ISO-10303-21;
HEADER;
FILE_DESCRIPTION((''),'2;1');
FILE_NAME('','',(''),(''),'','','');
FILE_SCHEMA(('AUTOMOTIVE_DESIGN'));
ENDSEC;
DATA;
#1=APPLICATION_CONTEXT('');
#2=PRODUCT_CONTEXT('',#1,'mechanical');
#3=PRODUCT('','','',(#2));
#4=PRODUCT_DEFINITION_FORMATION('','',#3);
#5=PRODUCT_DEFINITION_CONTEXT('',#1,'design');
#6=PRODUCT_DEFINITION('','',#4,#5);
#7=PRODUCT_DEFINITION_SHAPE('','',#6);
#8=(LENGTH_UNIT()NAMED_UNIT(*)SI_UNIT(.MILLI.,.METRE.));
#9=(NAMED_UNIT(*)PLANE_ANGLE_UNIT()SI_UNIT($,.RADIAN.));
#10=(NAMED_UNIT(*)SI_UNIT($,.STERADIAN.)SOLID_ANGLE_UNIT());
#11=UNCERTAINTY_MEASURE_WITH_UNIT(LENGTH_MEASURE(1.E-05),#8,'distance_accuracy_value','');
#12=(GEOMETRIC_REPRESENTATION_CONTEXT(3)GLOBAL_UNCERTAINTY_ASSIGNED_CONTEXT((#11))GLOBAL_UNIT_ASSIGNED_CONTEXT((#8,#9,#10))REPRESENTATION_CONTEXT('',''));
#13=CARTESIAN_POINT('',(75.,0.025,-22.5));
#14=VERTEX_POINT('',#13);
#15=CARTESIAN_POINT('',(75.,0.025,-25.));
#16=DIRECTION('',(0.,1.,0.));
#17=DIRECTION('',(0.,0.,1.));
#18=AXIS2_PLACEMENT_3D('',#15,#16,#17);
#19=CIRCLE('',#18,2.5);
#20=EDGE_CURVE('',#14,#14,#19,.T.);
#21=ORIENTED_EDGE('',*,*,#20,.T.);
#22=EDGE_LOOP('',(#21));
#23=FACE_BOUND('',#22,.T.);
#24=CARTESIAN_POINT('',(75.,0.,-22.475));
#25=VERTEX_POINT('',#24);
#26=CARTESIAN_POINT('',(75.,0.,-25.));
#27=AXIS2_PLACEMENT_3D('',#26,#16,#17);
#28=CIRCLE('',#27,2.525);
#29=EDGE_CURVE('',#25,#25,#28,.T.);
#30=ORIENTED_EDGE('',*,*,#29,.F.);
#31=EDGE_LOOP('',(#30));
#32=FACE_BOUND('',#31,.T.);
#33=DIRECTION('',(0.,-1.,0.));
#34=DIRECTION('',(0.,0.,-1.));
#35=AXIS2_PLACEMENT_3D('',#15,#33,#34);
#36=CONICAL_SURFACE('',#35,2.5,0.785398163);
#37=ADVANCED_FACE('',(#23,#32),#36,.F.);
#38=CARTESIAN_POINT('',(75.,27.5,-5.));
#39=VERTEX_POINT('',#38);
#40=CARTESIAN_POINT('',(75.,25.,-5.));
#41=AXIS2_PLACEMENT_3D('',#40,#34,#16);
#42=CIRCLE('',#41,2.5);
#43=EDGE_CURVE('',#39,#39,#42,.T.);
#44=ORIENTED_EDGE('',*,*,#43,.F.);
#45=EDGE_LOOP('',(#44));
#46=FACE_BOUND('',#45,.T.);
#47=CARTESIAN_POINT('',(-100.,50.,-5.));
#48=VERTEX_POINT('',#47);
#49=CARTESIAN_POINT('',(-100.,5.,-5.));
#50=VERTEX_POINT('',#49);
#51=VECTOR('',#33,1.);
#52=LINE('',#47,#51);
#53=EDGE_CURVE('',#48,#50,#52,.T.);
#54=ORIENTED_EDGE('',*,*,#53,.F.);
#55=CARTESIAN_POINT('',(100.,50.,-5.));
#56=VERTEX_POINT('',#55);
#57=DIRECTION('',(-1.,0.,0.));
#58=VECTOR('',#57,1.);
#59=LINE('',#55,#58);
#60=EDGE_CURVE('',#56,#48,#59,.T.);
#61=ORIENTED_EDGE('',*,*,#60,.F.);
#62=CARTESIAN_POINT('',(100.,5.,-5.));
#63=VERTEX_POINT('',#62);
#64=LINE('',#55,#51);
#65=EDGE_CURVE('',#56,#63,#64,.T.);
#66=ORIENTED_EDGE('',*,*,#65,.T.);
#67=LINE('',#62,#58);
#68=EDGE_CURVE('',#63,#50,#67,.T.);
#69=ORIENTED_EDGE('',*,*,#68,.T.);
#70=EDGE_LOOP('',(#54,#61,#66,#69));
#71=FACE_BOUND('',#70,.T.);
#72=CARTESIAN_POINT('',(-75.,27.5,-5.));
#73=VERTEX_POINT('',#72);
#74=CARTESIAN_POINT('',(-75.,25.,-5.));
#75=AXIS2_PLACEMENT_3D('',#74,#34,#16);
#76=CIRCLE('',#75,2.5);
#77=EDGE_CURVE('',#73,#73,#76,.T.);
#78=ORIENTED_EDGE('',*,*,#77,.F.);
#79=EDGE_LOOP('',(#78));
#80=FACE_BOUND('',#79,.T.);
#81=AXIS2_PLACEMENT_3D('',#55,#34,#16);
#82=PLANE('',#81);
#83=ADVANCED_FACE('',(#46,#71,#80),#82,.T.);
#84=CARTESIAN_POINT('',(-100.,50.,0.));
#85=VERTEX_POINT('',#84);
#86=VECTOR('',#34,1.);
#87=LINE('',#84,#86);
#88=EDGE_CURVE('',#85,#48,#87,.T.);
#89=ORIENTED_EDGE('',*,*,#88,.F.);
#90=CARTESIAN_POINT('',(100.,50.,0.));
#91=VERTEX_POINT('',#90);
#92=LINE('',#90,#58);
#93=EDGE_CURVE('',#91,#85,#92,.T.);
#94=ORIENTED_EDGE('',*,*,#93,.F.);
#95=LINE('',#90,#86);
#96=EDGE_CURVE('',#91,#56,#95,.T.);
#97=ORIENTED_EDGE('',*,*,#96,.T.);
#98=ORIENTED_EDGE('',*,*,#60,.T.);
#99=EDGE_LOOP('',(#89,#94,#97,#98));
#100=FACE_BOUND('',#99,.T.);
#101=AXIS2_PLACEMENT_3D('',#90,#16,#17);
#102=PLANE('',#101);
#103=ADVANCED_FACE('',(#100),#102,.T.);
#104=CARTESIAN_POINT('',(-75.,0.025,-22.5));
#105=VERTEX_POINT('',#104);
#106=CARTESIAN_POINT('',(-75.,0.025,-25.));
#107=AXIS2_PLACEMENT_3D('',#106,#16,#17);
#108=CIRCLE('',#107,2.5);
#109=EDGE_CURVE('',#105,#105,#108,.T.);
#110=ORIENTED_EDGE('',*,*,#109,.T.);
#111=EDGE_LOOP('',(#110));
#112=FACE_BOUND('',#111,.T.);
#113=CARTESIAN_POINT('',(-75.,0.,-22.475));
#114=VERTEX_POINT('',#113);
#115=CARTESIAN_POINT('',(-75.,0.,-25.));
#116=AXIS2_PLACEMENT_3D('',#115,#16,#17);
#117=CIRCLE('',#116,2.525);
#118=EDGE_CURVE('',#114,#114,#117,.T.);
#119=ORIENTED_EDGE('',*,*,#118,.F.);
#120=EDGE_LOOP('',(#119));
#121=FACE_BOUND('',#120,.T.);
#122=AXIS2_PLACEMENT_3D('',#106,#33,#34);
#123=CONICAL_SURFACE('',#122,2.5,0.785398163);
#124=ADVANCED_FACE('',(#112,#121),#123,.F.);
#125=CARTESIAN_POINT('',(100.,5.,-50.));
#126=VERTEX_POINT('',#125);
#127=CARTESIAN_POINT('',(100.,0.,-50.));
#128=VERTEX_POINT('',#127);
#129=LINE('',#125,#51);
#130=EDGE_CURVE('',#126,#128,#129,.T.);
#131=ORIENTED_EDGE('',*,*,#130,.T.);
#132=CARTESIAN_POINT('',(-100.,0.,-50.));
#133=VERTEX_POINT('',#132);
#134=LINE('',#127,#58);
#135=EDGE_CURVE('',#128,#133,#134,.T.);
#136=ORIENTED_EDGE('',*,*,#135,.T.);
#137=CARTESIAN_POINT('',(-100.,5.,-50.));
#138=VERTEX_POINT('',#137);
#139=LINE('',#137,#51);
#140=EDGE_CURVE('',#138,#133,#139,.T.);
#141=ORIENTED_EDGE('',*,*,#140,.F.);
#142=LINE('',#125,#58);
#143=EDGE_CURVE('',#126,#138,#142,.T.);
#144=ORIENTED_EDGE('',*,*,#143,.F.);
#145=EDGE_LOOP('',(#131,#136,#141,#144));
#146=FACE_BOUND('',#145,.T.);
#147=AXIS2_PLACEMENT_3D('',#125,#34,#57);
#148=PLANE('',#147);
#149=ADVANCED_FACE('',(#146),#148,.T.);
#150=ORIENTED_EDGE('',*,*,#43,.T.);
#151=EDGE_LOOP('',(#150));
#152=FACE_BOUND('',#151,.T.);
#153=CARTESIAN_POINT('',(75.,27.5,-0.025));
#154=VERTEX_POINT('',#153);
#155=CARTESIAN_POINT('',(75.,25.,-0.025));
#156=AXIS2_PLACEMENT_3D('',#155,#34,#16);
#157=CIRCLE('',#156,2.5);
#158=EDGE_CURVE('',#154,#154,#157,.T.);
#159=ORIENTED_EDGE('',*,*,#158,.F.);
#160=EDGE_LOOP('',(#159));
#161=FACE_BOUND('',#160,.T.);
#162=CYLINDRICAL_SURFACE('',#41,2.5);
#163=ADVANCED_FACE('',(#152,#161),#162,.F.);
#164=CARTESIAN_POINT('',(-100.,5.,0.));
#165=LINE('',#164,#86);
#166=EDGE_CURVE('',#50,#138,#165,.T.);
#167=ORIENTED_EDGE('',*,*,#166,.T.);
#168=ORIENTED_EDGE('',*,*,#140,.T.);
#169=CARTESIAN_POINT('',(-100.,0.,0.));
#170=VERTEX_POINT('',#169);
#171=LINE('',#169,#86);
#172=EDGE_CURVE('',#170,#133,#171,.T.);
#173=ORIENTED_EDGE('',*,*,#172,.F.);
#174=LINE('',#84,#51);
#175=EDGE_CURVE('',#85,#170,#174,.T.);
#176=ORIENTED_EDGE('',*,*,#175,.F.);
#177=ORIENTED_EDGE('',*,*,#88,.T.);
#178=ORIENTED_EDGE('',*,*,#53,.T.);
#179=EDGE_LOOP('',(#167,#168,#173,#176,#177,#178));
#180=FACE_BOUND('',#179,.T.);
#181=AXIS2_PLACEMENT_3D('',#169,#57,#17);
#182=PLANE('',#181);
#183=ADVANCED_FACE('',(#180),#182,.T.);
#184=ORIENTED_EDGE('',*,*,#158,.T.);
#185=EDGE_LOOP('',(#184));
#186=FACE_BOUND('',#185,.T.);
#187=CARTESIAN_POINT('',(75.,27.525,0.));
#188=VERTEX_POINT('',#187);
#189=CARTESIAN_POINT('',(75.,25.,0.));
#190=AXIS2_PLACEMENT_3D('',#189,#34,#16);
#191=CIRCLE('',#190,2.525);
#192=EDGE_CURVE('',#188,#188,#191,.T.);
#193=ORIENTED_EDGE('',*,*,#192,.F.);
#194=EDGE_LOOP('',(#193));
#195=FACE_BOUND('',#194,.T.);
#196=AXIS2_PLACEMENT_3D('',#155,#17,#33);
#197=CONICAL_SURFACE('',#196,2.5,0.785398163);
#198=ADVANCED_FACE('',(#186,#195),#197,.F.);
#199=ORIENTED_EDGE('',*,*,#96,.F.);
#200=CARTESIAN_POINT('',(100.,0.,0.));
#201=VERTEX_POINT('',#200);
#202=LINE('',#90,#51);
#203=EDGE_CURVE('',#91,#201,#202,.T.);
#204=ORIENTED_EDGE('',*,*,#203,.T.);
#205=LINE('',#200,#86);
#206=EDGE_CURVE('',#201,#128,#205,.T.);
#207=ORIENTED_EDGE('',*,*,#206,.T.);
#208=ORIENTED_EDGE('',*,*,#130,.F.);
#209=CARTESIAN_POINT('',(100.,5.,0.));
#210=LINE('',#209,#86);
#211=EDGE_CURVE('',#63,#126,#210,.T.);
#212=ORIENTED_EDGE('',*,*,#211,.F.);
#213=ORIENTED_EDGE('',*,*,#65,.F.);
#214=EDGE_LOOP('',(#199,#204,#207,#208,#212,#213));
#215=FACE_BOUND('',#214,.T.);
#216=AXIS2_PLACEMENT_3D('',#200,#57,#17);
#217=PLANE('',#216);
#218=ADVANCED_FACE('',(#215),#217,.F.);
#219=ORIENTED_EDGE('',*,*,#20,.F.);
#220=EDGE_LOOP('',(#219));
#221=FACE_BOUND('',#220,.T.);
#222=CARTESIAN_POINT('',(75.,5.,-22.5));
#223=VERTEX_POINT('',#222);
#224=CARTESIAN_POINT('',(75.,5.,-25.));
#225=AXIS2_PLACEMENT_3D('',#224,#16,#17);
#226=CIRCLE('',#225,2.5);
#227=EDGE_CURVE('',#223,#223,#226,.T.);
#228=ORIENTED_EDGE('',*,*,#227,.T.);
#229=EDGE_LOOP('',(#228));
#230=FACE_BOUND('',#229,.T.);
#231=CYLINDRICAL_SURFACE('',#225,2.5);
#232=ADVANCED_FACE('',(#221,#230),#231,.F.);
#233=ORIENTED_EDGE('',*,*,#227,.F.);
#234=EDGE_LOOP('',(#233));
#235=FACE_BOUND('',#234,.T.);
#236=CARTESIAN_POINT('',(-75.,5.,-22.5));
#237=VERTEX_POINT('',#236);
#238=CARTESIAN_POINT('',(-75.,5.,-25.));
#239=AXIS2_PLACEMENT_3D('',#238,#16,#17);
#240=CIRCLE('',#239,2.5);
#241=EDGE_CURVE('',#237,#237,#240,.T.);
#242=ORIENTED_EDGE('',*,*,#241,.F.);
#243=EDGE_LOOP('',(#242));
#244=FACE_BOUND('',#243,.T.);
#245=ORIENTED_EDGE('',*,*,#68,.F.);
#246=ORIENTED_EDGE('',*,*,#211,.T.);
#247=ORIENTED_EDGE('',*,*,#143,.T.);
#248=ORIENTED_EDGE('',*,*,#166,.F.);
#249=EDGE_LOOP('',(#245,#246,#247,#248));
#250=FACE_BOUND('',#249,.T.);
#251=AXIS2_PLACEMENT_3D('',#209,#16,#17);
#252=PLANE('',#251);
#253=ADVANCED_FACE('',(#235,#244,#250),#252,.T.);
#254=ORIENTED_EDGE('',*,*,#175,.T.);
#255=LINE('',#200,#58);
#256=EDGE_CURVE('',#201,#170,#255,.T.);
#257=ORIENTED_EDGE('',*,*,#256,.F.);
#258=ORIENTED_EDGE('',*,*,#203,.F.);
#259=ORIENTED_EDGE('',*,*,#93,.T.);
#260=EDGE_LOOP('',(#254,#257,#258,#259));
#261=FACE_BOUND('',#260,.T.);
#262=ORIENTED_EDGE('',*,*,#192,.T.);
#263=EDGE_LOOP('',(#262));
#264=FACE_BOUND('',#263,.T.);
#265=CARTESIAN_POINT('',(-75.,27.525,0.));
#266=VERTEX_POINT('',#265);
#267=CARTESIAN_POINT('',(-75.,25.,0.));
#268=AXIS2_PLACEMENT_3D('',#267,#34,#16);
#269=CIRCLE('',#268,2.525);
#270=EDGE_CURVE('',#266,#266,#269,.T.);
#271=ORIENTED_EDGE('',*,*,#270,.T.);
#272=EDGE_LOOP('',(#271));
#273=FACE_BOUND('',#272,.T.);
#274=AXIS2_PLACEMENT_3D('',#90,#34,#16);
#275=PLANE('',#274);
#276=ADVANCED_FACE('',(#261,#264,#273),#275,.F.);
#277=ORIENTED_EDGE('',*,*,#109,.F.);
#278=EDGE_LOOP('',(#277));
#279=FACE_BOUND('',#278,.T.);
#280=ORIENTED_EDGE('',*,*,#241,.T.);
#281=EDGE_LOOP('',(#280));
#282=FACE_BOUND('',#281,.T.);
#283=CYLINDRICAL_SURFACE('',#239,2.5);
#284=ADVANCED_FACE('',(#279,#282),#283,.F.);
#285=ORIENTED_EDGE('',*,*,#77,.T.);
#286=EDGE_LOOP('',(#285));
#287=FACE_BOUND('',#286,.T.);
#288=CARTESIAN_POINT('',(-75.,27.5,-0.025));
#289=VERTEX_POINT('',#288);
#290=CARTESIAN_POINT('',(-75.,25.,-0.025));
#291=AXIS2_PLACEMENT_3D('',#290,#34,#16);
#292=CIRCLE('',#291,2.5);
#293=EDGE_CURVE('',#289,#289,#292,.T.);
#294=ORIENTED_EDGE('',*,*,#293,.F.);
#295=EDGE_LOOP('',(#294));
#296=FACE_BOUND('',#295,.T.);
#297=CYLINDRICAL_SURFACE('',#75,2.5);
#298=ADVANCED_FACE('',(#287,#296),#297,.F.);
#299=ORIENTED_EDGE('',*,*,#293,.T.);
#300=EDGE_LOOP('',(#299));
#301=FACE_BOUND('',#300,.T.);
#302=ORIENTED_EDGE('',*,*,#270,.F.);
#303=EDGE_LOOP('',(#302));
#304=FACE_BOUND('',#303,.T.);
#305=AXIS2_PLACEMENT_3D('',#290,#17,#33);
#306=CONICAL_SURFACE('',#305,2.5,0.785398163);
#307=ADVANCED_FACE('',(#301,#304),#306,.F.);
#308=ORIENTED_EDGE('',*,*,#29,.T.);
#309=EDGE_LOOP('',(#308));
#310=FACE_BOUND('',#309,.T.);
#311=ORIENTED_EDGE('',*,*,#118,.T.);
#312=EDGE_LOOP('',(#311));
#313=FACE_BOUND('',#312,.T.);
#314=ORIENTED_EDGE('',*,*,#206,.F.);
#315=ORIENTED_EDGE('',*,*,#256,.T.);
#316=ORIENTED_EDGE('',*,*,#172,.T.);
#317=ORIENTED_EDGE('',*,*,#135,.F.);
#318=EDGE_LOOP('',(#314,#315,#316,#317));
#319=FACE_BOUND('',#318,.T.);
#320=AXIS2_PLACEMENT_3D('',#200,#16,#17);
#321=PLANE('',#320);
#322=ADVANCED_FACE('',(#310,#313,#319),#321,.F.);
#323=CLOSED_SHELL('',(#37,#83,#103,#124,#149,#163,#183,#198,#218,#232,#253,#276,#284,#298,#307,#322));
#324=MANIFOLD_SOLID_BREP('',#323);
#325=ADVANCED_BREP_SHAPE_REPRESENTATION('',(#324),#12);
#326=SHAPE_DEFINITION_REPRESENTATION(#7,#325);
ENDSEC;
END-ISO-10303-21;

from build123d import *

# Parameters (mm, degrees)
EXTRUDE_THIN1_DEPTH            = 100
F_5_0MM_DOWEL_HOLE1_AT_2_COUNT = 2
F_5_0MM_DOWEL_HOLE1_AT_2_PITCH = 150
F_5_0MM_DOWEL_HOLE2_AT_2_COUNT = 2
F_5_0MM_DOWEL_HOLE2_AT_2_PITCH = 150


with BuildPart() as part:
    # Sketch2 → Extrude-Thin1 (new, symmetric)
    with BuildSketch(Plane(origin=(0, 0, 0), x_dir=(0, 0, -1), z_dir=(1, 0, 0))):
        Polygon((0, 50), (0, 0), (50, 0), (50, 5), (5, 5), (5, 50), align=None)
    extrude(amount=EXTRUDE_THIN1_DEPTH, both=True)

    # Sketch5 → Ø5.0mm Dowel Hole1 (revolve, cut)
    with BuildSketch(Plane(origin=(75, 25, -5), x_dir=(0, 1, 0), z_dir=(1, 0, 0))):
        Polygon((0, 0), (0, 5), (2.525, 5), (2.5, 4.975), (2.5, 0), align=None)
    f_5_0mm_dowel_hole1 = revolve(axis=Axis((75, 25, -11.35), (0, 0, 1)), mode=Mode.SUBTRACT)

    # Ø5.0mm Dowel Hole1 at 2: Ø5.0mm Dowel Hole1 ×2
    with Locations(*[(-i * F_5_0MM_DOWEL_HOLE1_AT_2_PITCH, 0, 0) for i in range(1, F_5_0MM_DOWEL_HOLE1_AT_2_COUNT)]):
        add(f_5_0mm_dowel_hole1, mode=Mode.SUBTRACT)

    # Sketch7 → Ø5.0mm Dowel Hole2 (revolve, cut)
    with BuildSketch(Plane(origin=(-75, 5, -25), x_dir=(0, 0, 1), z_dir=(1, 0, 0))):
        Polygon((0, 0), (0, 5), (2.525, 5), (2.5, 4.975), (2.5, 0), align=None)
    f_5_0mm_dowel_hole2 = revolve(axis=Axis((-75, 11.35, -25), (0, -1, 0)), mode=Mode.SUBTRACT)

    # Ø5.0mm Dowel Hole2 at 2: Ø5.0mm Dowel Hole2 ×2
    with Locations(*[(i * F_5_0MM_DOWEL_HOLE2_AT_2_PITCH, 0, 0) for i in range(1, F_5_0MM_DOWEL_HOLE2_AT_2_COUNT)]):
        add(f_5_0mm_dowel_hole2, mode=Mode.SUBTRACT)


solid = part.part
